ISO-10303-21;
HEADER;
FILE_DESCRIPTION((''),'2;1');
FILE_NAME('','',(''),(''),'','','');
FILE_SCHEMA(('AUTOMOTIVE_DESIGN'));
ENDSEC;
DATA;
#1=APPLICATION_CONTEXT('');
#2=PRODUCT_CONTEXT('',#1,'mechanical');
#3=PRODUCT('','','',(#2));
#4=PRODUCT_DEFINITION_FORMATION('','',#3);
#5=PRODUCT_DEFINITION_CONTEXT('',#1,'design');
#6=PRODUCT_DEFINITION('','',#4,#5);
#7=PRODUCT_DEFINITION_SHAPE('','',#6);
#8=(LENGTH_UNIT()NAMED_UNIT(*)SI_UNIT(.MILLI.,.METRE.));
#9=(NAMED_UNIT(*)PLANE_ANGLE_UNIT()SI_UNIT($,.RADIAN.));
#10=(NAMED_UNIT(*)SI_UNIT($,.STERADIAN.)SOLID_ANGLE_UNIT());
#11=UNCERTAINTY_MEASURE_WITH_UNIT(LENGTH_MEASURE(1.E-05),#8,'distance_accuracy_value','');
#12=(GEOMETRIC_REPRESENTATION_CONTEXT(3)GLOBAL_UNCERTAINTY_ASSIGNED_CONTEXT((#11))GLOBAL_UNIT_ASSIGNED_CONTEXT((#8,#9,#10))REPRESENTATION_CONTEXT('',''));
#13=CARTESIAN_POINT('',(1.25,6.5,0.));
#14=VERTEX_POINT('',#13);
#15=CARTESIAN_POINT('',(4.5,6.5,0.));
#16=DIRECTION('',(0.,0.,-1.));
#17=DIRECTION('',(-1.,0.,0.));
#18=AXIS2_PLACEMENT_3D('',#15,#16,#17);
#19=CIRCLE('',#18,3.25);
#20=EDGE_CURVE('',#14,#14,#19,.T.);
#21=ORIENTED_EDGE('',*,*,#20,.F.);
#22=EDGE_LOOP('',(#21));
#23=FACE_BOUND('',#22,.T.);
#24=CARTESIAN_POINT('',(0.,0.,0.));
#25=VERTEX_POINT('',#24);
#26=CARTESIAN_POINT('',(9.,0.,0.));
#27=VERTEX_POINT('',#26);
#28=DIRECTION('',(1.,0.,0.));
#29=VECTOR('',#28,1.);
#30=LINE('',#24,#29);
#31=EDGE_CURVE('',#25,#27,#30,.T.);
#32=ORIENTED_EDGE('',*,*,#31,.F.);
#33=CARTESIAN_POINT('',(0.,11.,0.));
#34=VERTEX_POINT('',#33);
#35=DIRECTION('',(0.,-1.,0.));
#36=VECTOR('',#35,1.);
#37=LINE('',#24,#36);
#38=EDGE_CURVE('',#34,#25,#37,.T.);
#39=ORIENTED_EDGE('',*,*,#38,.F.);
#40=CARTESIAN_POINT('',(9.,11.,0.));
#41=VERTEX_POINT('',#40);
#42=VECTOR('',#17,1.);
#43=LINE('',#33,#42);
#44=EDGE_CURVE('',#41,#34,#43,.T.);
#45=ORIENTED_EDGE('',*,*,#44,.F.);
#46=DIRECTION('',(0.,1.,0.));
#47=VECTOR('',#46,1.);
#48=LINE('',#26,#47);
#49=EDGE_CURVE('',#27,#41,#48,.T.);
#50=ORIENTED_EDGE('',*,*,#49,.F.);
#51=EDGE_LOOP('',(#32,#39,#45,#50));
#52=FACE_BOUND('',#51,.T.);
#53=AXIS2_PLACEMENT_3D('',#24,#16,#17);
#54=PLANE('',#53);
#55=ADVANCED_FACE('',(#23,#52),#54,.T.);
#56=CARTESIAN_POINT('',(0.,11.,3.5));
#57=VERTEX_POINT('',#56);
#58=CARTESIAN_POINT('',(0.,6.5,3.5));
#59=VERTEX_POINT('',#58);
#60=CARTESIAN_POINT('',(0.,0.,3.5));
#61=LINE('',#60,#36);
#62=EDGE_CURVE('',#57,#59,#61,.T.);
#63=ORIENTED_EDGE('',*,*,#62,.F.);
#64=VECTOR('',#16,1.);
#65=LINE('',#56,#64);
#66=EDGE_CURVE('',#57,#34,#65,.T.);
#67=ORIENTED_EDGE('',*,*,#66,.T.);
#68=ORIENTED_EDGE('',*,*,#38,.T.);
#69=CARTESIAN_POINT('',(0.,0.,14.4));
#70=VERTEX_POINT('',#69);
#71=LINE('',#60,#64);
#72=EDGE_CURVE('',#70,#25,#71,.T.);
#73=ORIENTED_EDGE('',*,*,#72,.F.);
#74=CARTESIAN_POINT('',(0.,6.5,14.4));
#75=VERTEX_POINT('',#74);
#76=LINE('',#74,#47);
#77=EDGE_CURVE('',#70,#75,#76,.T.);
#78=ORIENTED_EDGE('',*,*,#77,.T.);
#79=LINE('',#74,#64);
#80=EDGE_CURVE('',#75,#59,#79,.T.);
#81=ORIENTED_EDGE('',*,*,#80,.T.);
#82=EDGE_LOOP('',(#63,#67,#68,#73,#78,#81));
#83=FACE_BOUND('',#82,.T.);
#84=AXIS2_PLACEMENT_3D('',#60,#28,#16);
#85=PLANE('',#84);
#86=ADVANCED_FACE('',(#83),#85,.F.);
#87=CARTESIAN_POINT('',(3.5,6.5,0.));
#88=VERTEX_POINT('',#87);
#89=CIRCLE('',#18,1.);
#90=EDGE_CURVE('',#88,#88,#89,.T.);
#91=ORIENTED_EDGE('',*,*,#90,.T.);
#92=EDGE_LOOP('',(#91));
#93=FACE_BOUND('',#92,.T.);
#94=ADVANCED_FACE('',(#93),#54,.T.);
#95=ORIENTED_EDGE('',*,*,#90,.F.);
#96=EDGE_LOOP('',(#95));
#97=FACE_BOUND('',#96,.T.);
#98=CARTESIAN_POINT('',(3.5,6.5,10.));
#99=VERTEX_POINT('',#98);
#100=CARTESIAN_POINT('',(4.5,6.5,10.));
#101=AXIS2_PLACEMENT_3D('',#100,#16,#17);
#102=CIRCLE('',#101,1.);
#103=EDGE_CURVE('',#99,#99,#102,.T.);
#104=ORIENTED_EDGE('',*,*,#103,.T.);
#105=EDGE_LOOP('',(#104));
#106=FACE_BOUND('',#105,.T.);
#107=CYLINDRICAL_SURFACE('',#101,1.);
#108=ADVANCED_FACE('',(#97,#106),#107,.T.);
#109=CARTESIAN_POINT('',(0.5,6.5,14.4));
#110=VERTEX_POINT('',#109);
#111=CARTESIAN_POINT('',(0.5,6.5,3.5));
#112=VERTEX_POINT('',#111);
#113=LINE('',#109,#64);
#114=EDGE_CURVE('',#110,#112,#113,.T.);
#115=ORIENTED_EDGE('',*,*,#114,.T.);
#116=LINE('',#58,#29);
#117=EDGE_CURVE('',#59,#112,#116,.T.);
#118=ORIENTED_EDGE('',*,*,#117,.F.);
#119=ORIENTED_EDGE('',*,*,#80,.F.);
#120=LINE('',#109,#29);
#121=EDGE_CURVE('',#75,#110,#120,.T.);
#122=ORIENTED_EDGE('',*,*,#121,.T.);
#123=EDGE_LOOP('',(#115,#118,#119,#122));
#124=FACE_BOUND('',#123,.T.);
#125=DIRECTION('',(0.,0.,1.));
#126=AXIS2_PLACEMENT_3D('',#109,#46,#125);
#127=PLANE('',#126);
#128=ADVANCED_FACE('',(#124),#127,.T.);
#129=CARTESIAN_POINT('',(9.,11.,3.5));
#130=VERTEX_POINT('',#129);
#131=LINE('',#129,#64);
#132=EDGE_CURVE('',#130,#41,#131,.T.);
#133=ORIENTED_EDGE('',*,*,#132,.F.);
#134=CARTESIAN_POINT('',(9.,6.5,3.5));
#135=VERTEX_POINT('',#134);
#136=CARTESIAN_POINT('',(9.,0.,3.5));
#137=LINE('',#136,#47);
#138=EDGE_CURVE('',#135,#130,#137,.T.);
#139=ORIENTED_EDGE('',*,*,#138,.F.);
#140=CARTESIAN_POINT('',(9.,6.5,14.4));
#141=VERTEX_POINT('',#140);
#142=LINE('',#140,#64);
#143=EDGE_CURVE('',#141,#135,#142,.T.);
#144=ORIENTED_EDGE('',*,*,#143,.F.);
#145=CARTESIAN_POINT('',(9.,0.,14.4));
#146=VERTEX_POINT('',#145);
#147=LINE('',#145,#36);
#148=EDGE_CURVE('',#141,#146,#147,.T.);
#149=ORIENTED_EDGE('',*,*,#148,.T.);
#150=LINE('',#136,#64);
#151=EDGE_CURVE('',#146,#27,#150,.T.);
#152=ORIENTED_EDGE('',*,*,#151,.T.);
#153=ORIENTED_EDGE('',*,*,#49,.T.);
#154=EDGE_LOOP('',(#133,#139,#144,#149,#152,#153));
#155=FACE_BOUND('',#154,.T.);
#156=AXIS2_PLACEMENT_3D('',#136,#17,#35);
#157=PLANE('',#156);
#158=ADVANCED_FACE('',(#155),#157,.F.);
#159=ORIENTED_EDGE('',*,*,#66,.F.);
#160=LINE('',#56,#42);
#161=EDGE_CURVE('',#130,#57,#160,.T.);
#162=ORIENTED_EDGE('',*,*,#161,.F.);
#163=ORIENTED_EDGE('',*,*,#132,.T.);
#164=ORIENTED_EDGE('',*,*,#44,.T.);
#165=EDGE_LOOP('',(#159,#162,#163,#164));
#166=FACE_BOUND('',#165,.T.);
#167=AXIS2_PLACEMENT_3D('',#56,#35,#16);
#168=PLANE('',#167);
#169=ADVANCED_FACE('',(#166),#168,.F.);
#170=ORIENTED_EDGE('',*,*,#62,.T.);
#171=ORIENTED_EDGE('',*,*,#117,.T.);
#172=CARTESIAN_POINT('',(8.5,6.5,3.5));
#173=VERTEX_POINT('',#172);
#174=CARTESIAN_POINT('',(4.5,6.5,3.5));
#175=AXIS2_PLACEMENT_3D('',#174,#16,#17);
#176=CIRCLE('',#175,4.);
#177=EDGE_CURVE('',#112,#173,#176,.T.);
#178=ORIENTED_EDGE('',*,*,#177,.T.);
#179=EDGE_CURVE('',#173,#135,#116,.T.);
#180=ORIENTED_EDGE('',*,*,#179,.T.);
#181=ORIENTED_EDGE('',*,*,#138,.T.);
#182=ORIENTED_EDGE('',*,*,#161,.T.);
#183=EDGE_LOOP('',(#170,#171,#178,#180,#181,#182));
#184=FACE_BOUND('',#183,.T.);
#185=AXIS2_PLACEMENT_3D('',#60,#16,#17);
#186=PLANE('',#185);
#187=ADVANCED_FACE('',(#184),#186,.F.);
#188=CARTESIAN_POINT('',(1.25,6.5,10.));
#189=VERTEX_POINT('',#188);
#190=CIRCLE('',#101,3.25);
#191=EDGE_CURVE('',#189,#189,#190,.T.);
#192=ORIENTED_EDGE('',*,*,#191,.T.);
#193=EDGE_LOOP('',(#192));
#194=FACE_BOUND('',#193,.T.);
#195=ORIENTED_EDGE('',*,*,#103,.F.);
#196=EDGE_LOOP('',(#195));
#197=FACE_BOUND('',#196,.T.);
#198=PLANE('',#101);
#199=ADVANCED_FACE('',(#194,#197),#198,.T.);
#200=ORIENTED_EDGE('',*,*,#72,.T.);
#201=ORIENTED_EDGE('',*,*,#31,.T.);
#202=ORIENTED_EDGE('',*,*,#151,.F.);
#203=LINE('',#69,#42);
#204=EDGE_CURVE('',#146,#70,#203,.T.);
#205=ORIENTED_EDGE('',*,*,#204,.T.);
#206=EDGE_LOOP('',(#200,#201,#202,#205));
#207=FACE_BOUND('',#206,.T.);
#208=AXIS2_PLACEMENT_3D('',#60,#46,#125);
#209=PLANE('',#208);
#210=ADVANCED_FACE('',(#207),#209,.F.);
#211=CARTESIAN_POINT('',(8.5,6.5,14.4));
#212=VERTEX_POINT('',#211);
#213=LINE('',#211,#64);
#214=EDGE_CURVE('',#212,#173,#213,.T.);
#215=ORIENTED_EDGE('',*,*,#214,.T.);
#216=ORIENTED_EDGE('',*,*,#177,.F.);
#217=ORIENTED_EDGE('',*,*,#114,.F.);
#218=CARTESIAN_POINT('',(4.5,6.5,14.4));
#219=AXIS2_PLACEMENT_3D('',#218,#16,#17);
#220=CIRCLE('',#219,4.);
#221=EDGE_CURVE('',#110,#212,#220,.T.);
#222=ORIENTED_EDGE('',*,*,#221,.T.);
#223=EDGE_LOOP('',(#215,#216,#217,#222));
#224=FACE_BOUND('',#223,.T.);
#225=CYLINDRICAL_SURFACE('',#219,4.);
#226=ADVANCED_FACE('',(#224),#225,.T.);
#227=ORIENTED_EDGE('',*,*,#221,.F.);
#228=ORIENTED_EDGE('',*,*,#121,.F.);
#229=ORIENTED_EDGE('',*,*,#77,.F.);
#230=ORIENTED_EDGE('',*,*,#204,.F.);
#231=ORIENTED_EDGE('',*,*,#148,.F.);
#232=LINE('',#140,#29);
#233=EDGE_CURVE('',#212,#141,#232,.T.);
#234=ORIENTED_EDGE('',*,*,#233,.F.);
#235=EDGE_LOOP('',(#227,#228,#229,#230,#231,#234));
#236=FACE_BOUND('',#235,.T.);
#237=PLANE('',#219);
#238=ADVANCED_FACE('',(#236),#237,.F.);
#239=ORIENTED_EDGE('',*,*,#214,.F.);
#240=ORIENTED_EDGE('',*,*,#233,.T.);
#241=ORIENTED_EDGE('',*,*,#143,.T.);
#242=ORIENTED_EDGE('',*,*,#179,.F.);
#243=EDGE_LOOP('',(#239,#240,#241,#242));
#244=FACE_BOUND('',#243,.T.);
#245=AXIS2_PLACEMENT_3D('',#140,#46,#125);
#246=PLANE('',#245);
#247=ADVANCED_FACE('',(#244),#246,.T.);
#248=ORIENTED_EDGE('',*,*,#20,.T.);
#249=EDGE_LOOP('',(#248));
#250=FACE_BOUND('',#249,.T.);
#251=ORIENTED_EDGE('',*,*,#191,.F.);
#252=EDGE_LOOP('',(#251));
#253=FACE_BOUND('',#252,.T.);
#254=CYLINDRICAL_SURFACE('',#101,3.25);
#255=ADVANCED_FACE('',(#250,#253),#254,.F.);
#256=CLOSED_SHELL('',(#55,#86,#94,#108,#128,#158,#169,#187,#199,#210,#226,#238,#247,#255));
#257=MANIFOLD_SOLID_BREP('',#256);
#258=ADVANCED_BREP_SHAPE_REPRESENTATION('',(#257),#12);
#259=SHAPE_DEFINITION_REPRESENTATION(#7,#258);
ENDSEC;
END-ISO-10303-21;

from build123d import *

# Parameters (mm, degrees)
SKETCH1_W           = 9
SKETCH1_H           = 11
BOSS_EXTRUDE1_DEPTH = 3.5
BOSS_EXTRUDE2_DEPTH = 14.4
SKETCH3_R           = 3.25
SKETCH3_R_2         = 1
CUT_EXTRUDE1_DEPTH  = 10


with BuildPart() as part:
    # Sketch1 → Boss-Extrude1 (new body)
    with BuildSketch(Plane.XY):
        with Locations((4.5, 5.5)):
            Rectangle(SKETCH1_W, SKETCH1_H)
    extrude(amount=BOSS_EXTRUDE1_DEPTH)

    # Sketch2 → Boss-Extrude2 (add)
    with BuildSketch(Plane(origin=(0, 0, 0), x_dir=(-1, 0, 0), z_dir=(0, 0, -1))):
        with BuildLine():
            Line((-0.5, 6.5), (0, 6.5))
            Line((0, 6.5), (0, 0))
            Line((0, 0), (-9, 0))
            Line((-9, 0), (-9, 6.5))
            Line((-9, 6.5), (-8.5, 6.5))
            ThreePointArc((-8.5, 6.5), (-4.5, 10.5), (-0.5, 6.5))
        make_face()
    extrude(amount=-BOSS_EXTRUDE2_DEPTH)

    # Sketch3 → Cut-Extrude1 (cut)
    with BuildSketch(Plane(origin=(0, 0, 0), x_dir=(-1, 0, 0), z_dir=(0, 0, -1))):
        with Locations((-4.5, 6.5)):
            Circle(SKETCH3_R)
        with Locations((-4.5, 6.5)):
            Circle(SKETCH3_R_2, mode=Mode.SUBTRACT)
    extrude(amount=-CUT_EXTRUDE1_DEPTH, mode=Mode.SUBTRACT)


solid = part.part
